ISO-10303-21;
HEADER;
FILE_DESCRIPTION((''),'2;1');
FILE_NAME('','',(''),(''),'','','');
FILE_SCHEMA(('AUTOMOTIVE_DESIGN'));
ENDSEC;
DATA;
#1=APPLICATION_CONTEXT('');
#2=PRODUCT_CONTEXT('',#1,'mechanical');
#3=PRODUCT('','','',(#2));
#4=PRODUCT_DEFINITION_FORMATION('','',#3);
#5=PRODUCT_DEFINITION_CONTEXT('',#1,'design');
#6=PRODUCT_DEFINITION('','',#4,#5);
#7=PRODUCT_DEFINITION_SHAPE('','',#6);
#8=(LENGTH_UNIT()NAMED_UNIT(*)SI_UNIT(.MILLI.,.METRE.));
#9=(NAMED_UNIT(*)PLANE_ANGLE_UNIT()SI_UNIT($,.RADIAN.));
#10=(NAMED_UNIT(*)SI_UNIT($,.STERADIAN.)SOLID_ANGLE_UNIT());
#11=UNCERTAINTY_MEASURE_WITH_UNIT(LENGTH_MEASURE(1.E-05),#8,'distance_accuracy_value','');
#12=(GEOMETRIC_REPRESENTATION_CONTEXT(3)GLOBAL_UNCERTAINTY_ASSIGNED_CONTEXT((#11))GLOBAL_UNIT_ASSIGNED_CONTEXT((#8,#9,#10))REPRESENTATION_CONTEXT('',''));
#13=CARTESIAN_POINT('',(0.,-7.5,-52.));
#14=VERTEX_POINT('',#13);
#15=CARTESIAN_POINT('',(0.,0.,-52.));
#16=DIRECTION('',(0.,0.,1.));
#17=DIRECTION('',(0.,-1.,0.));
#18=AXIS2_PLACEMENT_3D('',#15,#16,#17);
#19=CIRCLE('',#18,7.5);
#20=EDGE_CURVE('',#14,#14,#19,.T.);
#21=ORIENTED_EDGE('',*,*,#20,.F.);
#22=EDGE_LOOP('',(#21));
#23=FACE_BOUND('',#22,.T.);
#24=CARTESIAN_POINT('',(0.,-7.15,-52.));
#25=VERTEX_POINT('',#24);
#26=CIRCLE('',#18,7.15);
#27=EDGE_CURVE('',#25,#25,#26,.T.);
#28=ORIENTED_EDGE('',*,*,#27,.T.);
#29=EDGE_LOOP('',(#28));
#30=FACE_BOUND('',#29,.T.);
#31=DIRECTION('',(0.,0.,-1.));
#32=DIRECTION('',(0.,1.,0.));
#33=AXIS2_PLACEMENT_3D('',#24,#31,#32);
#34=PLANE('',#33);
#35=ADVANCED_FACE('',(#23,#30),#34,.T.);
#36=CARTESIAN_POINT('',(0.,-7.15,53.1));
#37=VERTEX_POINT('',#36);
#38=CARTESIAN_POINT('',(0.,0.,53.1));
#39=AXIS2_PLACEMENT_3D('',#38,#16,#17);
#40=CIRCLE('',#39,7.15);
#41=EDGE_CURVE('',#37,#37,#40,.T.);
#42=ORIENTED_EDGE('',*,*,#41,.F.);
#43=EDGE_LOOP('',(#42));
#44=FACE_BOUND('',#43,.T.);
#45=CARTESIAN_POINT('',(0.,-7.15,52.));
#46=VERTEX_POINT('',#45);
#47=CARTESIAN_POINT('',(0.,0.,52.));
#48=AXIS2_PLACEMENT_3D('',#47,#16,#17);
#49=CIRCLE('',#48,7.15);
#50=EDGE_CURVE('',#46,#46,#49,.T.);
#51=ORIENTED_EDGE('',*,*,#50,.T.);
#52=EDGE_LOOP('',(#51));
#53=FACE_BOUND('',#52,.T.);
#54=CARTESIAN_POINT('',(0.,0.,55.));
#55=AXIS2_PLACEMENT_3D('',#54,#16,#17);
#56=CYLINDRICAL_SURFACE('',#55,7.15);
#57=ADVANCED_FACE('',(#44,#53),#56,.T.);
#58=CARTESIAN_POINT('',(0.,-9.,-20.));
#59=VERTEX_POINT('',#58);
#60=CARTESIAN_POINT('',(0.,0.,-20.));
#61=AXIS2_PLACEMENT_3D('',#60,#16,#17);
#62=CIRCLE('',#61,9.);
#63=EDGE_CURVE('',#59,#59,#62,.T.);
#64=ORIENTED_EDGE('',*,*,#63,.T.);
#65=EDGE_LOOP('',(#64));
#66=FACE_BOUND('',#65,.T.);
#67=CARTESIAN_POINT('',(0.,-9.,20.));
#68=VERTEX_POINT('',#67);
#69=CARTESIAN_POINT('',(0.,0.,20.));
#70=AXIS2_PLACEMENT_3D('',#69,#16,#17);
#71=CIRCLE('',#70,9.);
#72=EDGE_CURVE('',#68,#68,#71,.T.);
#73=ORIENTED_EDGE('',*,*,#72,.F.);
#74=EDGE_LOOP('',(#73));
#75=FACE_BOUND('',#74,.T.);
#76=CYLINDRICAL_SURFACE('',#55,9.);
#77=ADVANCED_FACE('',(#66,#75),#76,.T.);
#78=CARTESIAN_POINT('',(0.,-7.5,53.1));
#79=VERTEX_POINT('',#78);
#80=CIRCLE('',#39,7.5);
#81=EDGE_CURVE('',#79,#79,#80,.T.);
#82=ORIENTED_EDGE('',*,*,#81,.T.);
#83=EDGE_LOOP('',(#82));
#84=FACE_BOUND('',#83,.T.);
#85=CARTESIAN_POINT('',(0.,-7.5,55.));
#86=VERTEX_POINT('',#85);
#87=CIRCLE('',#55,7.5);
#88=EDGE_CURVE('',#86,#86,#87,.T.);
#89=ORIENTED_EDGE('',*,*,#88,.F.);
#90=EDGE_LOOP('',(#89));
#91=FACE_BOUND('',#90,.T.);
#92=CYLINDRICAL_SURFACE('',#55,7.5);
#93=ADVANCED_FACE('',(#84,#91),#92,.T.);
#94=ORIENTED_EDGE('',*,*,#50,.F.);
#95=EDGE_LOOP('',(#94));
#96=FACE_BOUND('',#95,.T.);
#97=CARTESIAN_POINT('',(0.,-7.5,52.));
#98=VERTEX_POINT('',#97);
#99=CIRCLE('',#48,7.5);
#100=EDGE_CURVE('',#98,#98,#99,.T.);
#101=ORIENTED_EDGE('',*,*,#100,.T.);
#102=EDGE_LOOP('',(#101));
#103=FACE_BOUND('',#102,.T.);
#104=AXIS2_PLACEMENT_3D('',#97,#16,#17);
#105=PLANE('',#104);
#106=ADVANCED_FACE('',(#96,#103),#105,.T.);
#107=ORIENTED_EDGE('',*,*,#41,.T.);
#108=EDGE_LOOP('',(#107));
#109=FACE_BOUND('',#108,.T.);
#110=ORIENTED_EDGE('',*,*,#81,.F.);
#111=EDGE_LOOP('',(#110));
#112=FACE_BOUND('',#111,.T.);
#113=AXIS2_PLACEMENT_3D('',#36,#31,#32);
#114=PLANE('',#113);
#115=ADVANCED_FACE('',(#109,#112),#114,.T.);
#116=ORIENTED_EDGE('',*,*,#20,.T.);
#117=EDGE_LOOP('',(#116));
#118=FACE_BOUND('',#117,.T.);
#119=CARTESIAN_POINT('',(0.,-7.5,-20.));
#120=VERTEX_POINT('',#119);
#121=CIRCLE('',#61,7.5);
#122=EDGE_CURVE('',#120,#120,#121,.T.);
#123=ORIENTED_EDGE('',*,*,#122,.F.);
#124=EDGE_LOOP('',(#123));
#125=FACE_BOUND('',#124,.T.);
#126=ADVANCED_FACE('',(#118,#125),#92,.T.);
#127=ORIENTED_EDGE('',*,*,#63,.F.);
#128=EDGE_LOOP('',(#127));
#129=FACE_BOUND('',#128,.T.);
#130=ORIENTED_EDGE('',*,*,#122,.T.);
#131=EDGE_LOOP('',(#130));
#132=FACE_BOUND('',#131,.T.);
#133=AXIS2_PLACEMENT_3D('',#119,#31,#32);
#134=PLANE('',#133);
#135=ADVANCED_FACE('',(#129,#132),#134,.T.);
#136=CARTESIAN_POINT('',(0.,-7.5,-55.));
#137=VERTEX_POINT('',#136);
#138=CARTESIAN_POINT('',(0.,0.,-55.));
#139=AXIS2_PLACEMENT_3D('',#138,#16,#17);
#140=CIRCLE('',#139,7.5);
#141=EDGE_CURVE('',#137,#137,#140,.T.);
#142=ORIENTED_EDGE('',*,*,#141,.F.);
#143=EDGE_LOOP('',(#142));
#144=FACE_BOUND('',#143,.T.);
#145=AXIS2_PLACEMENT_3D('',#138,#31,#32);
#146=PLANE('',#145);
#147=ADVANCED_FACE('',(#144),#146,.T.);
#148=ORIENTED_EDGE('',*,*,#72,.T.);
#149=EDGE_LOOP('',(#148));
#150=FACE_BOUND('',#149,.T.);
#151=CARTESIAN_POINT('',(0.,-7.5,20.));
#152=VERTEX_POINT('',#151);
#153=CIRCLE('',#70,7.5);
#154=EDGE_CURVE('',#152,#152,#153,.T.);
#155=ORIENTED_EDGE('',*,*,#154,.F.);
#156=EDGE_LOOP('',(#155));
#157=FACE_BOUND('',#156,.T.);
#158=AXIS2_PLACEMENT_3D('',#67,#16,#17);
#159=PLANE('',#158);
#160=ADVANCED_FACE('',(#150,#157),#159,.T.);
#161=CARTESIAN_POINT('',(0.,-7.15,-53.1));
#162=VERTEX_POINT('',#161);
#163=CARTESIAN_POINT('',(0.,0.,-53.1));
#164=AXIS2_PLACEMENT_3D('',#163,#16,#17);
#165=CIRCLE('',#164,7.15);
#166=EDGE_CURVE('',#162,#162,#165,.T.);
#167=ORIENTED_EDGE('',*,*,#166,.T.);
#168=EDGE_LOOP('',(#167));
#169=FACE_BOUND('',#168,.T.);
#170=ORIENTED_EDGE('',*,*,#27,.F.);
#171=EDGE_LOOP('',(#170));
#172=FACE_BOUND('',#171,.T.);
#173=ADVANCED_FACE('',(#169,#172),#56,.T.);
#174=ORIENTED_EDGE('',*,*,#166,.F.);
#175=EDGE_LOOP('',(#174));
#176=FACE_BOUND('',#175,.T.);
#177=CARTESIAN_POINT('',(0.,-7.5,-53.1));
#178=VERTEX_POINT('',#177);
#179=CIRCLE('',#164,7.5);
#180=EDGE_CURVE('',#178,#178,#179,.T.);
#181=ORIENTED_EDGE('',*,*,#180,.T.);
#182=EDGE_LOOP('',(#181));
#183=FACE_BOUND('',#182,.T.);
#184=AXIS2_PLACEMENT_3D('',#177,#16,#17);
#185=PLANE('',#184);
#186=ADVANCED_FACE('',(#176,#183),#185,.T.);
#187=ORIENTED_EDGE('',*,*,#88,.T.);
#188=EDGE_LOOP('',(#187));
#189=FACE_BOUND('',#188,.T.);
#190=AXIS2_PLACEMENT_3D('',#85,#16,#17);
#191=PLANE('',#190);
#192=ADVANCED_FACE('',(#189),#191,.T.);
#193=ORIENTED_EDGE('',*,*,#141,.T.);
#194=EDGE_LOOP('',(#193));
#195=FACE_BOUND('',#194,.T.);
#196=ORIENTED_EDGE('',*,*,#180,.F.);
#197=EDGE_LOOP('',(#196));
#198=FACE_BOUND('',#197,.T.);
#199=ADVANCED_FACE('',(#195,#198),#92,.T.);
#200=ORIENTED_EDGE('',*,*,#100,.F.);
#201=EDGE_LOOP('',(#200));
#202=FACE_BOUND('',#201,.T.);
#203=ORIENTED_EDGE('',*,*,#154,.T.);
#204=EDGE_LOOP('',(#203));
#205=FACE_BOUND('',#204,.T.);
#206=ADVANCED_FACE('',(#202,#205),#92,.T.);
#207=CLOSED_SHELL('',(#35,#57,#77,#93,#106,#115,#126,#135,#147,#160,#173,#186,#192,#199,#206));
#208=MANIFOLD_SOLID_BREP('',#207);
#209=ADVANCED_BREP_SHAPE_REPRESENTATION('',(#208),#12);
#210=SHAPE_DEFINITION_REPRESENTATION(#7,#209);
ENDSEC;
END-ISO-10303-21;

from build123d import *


with BuildPart() as part:
    # Szkic1 → Obrót1 (revolve)
    with BuildSketch(Plane(origin=(0, 0, 0), x_dir=(0, 0, -1), z_dir=(1, 0, 0))):
        Polygon((-55, 0), (55, 0), (55, -7.5), (53.1, -7.5), (53.1, -7.15), (52, -7.15), (52, -7.5), (20, -7.5), (20, -9), (-20, -9), (-20, -7.5), (-52, -7.5), (-52, -7.15), (-53.1, -7.15), (-53.1, -7.5), (-55, -7.5), align=None)
    revolve(axis=Axis((0, 0, 55), (0, 0, -1)))


solid = part.part
